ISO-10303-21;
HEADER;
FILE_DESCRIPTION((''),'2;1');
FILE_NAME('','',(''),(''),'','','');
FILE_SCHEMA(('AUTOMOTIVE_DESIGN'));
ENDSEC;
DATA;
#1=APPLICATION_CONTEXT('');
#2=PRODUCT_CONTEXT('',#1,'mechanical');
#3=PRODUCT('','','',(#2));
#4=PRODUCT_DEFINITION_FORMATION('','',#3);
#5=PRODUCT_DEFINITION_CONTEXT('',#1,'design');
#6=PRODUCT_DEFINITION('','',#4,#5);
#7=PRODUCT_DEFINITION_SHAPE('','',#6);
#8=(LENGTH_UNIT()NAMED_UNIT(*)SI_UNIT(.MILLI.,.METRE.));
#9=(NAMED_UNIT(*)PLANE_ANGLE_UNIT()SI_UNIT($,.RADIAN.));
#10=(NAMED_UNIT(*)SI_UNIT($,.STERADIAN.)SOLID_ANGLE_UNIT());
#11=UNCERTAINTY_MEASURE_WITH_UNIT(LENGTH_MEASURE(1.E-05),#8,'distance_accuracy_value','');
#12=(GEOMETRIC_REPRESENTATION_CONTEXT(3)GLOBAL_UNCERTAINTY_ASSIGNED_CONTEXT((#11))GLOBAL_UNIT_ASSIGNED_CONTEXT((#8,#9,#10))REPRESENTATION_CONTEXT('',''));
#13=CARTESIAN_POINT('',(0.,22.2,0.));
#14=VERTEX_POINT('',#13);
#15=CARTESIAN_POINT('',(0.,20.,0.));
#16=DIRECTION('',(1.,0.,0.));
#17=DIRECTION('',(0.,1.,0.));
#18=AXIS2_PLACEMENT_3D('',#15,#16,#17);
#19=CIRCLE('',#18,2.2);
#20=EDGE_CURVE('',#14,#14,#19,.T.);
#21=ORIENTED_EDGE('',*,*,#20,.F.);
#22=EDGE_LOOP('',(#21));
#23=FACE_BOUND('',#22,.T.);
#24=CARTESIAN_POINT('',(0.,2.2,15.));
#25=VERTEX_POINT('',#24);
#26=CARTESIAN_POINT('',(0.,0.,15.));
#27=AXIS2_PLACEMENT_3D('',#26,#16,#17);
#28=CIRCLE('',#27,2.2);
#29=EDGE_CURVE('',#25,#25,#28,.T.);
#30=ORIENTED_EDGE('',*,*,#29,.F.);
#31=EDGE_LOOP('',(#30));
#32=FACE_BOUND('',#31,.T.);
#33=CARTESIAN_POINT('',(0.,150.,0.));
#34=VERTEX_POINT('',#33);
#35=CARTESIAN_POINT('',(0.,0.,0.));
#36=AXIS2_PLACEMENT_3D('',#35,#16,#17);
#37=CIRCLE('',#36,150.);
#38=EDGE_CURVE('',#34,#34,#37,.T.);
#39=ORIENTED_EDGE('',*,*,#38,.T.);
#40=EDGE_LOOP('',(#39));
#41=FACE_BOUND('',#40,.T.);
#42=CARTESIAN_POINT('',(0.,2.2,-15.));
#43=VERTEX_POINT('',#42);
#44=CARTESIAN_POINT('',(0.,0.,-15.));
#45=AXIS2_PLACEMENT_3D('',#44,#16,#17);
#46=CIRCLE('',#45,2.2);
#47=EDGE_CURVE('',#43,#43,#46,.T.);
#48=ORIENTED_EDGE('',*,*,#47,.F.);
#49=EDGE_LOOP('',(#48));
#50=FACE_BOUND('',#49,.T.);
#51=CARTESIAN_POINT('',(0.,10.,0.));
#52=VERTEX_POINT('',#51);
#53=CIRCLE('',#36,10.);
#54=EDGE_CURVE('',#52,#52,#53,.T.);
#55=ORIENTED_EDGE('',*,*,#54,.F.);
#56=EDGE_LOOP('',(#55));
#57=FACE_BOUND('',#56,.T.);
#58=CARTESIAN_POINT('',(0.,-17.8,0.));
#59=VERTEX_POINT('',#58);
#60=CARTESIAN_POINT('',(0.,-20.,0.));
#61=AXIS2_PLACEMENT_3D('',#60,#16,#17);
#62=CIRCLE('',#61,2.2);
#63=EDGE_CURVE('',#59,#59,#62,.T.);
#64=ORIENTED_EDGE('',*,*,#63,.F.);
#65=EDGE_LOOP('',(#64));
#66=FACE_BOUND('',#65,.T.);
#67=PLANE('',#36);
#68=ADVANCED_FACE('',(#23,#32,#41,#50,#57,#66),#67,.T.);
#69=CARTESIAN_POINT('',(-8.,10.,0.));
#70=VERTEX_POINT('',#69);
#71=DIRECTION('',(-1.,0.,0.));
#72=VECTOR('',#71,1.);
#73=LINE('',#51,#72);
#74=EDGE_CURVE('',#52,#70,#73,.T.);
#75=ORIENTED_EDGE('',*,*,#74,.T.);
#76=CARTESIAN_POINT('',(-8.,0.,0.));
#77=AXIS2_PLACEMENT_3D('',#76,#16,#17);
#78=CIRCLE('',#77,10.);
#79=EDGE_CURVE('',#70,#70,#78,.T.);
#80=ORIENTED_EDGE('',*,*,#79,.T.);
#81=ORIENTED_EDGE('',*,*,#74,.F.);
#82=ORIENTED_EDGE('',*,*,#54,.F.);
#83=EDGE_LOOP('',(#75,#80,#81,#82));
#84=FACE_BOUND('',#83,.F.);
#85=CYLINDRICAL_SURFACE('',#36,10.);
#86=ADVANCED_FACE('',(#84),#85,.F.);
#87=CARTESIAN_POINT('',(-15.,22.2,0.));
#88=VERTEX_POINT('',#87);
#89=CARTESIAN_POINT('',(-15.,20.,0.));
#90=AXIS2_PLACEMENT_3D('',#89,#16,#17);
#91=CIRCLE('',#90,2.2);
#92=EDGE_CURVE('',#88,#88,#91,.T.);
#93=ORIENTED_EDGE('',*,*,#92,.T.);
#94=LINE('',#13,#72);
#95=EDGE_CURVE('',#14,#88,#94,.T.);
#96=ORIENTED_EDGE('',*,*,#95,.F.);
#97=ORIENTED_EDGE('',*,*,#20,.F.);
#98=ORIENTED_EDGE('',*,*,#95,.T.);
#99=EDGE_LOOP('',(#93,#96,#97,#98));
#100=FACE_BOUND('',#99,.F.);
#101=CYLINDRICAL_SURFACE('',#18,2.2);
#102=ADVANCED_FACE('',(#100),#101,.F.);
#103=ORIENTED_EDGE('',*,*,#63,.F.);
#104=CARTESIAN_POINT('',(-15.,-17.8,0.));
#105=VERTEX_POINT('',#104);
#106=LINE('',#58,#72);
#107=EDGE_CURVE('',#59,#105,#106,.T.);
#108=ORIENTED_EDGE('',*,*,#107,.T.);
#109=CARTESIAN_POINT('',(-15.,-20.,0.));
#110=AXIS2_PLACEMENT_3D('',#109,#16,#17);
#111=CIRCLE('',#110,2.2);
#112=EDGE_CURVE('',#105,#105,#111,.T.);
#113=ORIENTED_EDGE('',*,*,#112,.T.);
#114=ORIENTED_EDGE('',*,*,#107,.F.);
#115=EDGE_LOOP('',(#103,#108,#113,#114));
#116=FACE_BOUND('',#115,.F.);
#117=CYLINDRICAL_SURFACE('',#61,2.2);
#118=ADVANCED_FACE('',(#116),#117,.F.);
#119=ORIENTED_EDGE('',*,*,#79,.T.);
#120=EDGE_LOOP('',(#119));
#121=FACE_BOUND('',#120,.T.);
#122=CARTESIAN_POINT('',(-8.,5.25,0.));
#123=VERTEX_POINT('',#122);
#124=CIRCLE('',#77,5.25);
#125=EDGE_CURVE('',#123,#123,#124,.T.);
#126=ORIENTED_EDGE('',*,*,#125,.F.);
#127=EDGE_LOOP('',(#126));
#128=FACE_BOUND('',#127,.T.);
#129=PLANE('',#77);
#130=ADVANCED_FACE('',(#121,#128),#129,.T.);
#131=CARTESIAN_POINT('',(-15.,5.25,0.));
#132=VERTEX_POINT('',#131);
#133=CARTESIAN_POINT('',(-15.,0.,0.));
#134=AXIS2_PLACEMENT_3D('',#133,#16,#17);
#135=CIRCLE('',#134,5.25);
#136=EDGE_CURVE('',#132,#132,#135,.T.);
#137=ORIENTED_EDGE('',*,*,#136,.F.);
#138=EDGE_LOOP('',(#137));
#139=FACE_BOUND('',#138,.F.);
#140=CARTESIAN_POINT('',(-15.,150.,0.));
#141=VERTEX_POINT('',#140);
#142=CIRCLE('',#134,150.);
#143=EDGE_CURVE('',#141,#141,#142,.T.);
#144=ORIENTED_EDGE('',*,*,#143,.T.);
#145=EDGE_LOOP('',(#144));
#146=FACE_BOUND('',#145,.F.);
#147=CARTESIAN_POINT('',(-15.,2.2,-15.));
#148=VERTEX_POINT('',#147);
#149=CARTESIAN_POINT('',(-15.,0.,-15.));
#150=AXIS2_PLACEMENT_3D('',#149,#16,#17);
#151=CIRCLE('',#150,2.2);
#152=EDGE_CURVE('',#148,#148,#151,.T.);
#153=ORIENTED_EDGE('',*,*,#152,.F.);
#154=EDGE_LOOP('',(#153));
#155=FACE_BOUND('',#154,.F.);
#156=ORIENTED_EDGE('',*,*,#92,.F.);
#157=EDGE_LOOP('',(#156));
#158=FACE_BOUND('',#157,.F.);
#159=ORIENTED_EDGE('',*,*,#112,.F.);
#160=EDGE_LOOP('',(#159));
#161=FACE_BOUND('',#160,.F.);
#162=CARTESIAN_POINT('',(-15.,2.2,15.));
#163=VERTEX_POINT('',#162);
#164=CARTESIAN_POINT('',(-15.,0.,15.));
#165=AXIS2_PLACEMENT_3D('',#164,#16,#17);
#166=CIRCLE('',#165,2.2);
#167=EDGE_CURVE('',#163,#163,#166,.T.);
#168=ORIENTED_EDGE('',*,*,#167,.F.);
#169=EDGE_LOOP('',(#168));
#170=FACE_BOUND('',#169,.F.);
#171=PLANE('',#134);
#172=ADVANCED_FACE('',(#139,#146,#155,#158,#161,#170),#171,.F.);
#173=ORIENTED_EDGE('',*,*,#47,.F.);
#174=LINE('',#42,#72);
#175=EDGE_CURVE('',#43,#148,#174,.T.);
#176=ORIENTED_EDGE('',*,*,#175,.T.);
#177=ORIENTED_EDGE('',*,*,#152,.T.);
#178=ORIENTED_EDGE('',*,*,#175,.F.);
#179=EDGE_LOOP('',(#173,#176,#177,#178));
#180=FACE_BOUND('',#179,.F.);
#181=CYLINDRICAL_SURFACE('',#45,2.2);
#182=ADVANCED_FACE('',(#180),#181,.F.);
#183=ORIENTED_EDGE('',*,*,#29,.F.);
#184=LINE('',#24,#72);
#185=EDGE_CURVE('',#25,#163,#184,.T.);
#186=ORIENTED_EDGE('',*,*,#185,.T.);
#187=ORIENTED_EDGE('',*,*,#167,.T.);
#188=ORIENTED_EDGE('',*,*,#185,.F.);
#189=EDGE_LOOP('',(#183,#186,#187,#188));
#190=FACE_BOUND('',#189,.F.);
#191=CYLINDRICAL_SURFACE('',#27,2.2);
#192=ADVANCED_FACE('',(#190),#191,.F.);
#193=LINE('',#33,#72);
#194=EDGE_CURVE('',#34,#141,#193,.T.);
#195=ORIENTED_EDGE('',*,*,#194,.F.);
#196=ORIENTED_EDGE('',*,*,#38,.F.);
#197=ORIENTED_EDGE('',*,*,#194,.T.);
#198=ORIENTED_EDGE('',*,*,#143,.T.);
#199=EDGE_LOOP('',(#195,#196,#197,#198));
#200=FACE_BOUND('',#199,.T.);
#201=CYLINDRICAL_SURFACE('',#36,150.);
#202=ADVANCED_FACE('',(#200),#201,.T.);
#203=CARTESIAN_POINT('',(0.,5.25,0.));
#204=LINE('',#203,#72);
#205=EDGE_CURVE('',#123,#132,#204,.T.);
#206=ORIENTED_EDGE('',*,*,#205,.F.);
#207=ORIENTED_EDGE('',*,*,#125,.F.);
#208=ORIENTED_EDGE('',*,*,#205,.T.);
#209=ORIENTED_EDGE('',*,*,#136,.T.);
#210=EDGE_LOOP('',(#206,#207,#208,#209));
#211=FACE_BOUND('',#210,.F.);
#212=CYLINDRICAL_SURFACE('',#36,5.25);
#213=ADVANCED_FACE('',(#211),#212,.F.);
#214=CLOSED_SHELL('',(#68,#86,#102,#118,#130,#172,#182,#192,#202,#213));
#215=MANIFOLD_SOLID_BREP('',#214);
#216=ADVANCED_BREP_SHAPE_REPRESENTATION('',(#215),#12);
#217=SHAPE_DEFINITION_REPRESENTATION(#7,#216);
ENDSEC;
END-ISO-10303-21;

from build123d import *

# Parameters (mm, degrees)
F2_R     = 150
F2_R_2   = 2.2
F2_R_3   = 10
F2_R_4   = 5.25
F3_DEPTH = 15
F4_DEPTH = 8


with BuildPart() as f3:
    # F2 (on Right) → F3 (new body)
    with BuildSketch(Plane.YZ):
        Circle(F2_R)
        with Locations((0, -15)):
            Circle(F2_R_2, mode=Mode.SUBTRACT)
        with Locations((-20, 0)):
            Circle(F2_R_2, mode=Mode.SUBTRACT)
        Circle(F2_R_3, mode=Mode.SUBTRACT)
        with Locations((0, 15)):
            Circle(F2_R_2, mode=Mode.SUBTRACT)
        with Locations((20, 0)):
            Circle(F2_R_2, mode=Mode.SUBTRACT)
        Circle(F2_R_3)
        Circle(F2_R_4, mode=Mode.SUBTRACT)
    extrude(amount=-F3_DEPTH)

    # F2 (on Right) → F4 (cut)
    with BuildSketch(Plane.YZ):
        Circle(F2_R_3)
        Circle(F2_R_4, mode=Mode.SUBTRACT)
    extrude(amount=-F4_DEPTH, mode=Mode.SUBTRACT)


solid = f3.part
